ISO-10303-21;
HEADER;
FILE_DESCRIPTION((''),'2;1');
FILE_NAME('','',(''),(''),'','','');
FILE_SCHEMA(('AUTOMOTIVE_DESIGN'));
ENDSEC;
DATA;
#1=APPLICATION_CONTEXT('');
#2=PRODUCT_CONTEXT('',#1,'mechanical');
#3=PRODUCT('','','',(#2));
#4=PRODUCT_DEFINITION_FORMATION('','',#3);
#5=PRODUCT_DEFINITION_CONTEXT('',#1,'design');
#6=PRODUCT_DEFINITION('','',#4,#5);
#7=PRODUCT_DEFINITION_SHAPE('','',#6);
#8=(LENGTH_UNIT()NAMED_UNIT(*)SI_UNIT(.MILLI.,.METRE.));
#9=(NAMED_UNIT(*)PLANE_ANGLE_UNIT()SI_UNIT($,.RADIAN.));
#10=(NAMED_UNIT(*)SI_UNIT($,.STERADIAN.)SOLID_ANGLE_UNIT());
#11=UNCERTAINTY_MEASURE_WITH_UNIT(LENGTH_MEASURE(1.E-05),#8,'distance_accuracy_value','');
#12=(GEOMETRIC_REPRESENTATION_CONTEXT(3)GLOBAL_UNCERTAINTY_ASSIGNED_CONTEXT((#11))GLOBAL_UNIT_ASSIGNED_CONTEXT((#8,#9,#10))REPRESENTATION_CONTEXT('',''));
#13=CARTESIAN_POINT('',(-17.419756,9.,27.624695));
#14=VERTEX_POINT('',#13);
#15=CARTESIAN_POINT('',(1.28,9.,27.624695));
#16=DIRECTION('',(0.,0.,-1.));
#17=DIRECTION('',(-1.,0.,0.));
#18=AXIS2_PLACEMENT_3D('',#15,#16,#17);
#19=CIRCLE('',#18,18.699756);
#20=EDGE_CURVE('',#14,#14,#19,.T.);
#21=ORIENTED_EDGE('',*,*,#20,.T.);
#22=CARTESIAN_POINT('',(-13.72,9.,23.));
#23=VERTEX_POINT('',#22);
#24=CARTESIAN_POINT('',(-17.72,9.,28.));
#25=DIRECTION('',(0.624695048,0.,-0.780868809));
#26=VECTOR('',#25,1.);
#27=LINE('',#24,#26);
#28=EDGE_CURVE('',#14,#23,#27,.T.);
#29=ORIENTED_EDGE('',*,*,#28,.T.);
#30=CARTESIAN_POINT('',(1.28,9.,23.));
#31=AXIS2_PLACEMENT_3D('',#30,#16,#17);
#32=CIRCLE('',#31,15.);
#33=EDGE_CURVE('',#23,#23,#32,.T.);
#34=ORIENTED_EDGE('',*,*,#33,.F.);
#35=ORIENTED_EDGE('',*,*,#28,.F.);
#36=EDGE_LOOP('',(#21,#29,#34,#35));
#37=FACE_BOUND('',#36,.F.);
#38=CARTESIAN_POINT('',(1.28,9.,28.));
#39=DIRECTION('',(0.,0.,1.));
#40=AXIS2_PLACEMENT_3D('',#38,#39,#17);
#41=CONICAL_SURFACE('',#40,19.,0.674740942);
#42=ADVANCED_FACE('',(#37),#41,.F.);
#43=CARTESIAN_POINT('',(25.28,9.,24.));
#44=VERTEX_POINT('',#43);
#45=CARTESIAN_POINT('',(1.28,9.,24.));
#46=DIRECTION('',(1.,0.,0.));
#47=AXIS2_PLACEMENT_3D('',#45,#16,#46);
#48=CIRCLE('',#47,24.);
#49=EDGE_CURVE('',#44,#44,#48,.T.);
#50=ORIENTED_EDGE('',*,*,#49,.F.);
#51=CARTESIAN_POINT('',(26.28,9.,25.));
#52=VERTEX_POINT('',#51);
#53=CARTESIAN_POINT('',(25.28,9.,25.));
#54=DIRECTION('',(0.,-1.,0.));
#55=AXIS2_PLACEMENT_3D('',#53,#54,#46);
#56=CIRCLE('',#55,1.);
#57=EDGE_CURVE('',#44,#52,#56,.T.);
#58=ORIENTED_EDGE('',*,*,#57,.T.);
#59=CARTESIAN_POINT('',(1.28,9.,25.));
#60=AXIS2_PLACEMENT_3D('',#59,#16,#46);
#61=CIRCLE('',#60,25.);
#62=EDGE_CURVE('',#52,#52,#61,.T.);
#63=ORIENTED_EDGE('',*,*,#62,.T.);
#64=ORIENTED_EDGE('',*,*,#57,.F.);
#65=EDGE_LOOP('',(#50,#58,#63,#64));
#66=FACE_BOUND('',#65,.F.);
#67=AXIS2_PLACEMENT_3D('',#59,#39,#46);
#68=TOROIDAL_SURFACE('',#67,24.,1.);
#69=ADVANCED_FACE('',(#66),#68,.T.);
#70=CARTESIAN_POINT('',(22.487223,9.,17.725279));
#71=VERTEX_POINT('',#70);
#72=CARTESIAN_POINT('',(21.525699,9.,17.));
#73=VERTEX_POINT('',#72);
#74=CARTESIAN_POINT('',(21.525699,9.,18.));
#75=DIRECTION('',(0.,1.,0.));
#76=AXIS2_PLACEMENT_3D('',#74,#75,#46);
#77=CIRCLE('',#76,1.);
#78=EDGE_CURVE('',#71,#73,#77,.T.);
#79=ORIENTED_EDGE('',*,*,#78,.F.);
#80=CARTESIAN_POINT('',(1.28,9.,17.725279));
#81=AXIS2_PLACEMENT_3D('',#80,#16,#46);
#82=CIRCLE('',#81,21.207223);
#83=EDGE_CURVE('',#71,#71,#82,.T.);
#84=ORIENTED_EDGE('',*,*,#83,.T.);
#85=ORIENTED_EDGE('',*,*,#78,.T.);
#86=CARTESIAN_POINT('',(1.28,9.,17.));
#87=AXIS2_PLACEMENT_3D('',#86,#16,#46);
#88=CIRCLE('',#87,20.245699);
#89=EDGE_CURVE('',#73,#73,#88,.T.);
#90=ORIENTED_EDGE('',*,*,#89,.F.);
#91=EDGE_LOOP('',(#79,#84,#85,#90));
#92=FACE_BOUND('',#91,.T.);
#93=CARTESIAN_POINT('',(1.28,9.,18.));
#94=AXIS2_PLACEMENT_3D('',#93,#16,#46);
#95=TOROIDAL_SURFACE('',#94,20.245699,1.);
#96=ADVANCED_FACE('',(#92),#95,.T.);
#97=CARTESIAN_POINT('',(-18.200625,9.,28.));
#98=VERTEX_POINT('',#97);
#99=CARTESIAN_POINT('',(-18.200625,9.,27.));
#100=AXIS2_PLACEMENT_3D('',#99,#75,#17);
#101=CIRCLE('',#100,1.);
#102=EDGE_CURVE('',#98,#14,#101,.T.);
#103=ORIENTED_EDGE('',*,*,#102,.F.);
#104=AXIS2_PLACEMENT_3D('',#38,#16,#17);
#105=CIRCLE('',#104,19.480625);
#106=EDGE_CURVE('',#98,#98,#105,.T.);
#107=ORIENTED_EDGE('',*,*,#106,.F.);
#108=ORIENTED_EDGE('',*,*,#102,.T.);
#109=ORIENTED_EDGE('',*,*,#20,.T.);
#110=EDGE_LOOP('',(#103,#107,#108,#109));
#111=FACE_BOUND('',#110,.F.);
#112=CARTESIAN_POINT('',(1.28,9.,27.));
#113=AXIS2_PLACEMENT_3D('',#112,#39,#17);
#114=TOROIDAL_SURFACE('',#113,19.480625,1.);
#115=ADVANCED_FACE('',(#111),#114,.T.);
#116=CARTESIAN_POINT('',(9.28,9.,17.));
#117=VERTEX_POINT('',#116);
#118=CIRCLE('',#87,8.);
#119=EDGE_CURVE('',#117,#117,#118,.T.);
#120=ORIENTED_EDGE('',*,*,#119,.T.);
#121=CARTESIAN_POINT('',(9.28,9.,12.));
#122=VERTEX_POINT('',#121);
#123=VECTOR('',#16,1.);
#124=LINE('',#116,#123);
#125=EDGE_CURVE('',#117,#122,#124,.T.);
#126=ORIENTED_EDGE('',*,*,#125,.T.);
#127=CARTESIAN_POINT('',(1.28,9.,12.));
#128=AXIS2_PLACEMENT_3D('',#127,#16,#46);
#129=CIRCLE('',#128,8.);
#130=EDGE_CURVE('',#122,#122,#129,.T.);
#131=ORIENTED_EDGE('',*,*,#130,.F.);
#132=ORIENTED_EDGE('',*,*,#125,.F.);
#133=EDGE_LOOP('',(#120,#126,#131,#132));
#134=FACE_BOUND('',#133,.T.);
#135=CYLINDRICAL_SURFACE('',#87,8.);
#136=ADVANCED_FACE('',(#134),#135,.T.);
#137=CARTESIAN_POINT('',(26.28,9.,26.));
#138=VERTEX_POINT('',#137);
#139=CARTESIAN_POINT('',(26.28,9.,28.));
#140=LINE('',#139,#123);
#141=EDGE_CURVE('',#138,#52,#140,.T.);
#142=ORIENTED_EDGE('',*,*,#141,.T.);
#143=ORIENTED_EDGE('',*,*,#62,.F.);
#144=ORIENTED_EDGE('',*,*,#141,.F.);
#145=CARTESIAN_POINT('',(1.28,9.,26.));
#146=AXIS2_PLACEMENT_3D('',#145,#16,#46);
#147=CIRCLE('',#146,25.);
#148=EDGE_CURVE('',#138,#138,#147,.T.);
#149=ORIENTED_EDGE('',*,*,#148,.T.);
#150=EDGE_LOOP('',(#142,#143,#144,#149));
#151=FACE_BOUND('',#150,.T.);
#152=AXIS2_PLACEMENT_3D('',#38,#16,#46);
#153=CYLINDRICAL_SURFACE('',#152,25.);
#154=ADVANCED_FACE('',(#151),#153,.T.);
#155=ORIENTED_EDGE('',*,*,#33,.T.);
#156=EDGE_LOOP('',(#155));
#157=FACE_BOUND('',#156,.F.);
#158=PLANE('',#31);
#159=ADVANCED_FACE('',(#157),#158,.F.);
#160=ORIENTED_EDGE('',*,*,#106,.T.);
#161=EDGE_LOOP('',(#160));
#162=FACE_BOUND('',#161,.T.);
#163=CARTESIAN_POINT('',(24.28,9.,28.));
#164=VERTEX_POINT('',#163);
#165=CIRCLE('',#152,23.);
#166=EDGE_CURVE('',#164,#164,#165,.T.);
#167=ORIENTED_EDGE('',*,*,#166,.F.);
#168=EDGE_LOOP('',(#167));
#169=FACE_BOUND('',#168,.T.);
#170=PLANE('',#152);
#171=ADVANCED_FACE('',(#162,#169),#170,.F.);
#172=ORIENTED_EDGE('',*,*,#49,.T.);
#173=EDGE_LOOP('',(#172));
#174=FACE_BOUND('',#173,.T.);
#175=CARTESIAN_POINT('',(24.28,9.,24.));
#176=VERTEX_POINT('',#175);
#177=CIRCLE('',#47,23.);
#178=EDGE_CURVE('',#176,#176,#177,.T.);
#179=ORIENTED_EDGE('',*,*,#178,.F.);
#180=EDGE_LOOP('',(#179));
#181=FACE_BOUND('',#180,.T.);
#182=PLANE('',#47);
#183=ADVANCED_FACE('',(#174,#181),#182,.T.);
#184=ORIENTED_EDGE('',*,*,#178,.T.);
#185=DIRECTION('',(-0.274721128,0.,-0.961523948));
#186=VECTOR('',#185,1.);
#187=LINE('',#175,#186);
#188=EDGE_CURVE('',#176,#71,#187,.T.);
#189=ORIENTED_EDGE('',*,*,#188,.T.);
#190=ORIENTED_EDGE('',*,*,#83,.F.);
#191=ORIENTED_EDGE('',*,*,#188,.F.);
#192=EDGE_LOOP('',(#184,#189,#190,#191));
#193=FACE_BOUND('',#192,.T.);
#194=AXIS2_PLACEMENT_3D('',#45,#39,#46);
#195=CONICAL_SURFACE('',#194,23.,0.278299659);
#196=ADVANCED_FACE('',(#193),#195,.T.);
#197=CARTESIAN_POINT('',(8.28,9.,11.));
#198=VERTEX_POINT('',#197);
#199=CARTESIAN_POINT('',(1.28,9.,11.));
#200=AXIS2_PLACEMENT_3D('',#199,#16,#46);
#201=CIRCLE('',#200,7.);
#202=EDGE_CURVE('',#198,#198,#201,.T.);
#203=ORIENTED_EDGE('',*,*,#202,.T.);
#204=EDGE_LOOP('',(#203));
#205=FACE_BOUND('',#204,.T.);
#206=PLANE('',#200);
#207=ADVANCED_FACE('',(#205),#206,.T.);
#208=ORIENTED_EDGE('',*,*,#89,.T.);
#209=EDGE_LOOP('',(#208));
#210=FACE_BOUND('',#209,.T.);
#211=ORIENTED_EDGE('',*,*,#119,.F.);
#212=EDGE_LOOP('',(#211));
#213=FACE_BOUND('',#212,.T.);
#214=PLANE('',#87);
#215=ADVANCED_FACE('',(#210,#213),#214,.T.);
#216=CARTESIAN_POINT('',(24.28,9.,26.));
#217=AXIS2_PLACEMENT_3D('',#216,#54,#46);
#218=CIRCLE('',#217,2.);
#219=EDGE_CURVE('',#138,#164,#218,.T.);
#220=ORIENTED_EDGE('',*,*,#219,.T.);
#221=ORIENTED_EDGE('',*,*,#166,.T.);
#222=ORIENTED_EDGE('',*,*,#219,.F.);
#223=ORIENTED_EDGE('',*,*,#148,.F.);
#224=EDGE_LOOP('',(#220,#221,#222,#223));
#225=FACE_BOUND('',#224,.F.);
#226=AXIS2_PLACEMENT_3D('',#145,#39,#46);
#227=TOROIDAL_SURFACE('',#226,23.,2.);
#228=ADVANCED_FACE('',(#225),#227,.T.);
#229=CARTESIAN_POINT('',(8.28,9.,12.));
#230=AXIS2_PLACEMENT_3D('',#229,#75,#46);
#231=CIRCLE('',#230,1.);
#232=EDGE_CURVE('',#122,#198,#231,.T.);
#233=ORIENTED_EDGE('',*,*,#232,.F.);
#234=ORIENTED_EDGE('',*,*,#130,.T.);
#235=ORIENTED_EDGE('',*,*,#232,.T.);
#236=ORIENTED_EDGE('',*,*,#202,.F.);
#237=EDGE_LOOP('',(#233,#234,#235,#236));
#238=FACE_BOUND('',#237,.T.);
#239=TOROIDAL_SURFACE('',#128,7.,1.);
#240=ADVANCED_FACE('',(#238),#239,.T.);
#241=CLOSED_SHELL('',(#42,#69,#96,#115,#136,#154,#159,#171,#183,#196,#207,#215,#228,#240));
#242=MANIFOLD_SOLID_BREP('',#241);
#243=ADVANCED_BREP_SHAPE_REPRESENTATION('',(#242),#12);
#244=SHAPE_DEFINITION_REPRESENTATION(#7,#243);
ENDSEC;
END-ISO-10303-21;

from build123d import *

# Parameters (mm, degrees)
FILLET017_R               = 1
FILLET018_R               = 1
FILLET019_R               = 2
FILLET020_R               = 1
FILLET020_PLACEMENT_ANGLE = 180


with BuildPart() as cone010:
    # Cone010 → Cone010 (revolve)
    with BuildSketch(Plane.XZ):
        Polygon((0, 0), (19, 0), (15, 5), (0, 5), align=None)
    revolve(axis=Axis((0, 0, 0), (0, 0, 1)))


with BuildPart() as fillet020:
    # Sketch013 → Revolve (revolve)
    with BuildSketch(Plane.XZ):
        Polygon((0, 0), (-25, 0), (-25, 4), (-23, 4), (-21, 11), (-8, 11), (-8, 17), (0, 17), align=None)
    revolve(axis=Axis((0, 0, 0), (0, 0, 1)))

    # Fillet017
    fillet017_edges = [fillet020.edges().sort_by_distance(p)[0] for p in [
        (21, 0, 11),
        (8, 0, 17),
    ]]
    fillet(fillet017_edges, radius=FILLET017_R)

    # Fillet018
    fillet018_edges = [fillet020.edges().sort_by_distance(p)[0] for p in [
        (25, 0, 4),
    ]]
    fillet(fillet018_edges, radius=FILLET018_R)

    # Fillet019
    fillet019_edges = [fillet020.edges().sort_by_distance(p)[0] for p in [
        (25, 0, 0),
    ]]
    fillet(fillet019_edges, radius=FILLET019_R)

    # Cut014: cut Cone010
    add(cone010.part, mode=Mode.SUBTRACT)

    # Fillet020
    fillet020_edges = [fillet020.edges().sort_by_distance(p)[0] for p in [
        (-19, 0, 0),
    ]]
    fillet(fillet020_edges, radius=FILLET020_R)


with BuildPart() as fillet020_1:
    # Fillet020 placement: moved
    add(fillet020.part.moved(Location((1.28, 9, 28))).rotate(Axis((1.28, 9, 28), (0, 1, 0)), FILLET020_PLACEMENT_ANGLE))


solid = fillet020_1.part
